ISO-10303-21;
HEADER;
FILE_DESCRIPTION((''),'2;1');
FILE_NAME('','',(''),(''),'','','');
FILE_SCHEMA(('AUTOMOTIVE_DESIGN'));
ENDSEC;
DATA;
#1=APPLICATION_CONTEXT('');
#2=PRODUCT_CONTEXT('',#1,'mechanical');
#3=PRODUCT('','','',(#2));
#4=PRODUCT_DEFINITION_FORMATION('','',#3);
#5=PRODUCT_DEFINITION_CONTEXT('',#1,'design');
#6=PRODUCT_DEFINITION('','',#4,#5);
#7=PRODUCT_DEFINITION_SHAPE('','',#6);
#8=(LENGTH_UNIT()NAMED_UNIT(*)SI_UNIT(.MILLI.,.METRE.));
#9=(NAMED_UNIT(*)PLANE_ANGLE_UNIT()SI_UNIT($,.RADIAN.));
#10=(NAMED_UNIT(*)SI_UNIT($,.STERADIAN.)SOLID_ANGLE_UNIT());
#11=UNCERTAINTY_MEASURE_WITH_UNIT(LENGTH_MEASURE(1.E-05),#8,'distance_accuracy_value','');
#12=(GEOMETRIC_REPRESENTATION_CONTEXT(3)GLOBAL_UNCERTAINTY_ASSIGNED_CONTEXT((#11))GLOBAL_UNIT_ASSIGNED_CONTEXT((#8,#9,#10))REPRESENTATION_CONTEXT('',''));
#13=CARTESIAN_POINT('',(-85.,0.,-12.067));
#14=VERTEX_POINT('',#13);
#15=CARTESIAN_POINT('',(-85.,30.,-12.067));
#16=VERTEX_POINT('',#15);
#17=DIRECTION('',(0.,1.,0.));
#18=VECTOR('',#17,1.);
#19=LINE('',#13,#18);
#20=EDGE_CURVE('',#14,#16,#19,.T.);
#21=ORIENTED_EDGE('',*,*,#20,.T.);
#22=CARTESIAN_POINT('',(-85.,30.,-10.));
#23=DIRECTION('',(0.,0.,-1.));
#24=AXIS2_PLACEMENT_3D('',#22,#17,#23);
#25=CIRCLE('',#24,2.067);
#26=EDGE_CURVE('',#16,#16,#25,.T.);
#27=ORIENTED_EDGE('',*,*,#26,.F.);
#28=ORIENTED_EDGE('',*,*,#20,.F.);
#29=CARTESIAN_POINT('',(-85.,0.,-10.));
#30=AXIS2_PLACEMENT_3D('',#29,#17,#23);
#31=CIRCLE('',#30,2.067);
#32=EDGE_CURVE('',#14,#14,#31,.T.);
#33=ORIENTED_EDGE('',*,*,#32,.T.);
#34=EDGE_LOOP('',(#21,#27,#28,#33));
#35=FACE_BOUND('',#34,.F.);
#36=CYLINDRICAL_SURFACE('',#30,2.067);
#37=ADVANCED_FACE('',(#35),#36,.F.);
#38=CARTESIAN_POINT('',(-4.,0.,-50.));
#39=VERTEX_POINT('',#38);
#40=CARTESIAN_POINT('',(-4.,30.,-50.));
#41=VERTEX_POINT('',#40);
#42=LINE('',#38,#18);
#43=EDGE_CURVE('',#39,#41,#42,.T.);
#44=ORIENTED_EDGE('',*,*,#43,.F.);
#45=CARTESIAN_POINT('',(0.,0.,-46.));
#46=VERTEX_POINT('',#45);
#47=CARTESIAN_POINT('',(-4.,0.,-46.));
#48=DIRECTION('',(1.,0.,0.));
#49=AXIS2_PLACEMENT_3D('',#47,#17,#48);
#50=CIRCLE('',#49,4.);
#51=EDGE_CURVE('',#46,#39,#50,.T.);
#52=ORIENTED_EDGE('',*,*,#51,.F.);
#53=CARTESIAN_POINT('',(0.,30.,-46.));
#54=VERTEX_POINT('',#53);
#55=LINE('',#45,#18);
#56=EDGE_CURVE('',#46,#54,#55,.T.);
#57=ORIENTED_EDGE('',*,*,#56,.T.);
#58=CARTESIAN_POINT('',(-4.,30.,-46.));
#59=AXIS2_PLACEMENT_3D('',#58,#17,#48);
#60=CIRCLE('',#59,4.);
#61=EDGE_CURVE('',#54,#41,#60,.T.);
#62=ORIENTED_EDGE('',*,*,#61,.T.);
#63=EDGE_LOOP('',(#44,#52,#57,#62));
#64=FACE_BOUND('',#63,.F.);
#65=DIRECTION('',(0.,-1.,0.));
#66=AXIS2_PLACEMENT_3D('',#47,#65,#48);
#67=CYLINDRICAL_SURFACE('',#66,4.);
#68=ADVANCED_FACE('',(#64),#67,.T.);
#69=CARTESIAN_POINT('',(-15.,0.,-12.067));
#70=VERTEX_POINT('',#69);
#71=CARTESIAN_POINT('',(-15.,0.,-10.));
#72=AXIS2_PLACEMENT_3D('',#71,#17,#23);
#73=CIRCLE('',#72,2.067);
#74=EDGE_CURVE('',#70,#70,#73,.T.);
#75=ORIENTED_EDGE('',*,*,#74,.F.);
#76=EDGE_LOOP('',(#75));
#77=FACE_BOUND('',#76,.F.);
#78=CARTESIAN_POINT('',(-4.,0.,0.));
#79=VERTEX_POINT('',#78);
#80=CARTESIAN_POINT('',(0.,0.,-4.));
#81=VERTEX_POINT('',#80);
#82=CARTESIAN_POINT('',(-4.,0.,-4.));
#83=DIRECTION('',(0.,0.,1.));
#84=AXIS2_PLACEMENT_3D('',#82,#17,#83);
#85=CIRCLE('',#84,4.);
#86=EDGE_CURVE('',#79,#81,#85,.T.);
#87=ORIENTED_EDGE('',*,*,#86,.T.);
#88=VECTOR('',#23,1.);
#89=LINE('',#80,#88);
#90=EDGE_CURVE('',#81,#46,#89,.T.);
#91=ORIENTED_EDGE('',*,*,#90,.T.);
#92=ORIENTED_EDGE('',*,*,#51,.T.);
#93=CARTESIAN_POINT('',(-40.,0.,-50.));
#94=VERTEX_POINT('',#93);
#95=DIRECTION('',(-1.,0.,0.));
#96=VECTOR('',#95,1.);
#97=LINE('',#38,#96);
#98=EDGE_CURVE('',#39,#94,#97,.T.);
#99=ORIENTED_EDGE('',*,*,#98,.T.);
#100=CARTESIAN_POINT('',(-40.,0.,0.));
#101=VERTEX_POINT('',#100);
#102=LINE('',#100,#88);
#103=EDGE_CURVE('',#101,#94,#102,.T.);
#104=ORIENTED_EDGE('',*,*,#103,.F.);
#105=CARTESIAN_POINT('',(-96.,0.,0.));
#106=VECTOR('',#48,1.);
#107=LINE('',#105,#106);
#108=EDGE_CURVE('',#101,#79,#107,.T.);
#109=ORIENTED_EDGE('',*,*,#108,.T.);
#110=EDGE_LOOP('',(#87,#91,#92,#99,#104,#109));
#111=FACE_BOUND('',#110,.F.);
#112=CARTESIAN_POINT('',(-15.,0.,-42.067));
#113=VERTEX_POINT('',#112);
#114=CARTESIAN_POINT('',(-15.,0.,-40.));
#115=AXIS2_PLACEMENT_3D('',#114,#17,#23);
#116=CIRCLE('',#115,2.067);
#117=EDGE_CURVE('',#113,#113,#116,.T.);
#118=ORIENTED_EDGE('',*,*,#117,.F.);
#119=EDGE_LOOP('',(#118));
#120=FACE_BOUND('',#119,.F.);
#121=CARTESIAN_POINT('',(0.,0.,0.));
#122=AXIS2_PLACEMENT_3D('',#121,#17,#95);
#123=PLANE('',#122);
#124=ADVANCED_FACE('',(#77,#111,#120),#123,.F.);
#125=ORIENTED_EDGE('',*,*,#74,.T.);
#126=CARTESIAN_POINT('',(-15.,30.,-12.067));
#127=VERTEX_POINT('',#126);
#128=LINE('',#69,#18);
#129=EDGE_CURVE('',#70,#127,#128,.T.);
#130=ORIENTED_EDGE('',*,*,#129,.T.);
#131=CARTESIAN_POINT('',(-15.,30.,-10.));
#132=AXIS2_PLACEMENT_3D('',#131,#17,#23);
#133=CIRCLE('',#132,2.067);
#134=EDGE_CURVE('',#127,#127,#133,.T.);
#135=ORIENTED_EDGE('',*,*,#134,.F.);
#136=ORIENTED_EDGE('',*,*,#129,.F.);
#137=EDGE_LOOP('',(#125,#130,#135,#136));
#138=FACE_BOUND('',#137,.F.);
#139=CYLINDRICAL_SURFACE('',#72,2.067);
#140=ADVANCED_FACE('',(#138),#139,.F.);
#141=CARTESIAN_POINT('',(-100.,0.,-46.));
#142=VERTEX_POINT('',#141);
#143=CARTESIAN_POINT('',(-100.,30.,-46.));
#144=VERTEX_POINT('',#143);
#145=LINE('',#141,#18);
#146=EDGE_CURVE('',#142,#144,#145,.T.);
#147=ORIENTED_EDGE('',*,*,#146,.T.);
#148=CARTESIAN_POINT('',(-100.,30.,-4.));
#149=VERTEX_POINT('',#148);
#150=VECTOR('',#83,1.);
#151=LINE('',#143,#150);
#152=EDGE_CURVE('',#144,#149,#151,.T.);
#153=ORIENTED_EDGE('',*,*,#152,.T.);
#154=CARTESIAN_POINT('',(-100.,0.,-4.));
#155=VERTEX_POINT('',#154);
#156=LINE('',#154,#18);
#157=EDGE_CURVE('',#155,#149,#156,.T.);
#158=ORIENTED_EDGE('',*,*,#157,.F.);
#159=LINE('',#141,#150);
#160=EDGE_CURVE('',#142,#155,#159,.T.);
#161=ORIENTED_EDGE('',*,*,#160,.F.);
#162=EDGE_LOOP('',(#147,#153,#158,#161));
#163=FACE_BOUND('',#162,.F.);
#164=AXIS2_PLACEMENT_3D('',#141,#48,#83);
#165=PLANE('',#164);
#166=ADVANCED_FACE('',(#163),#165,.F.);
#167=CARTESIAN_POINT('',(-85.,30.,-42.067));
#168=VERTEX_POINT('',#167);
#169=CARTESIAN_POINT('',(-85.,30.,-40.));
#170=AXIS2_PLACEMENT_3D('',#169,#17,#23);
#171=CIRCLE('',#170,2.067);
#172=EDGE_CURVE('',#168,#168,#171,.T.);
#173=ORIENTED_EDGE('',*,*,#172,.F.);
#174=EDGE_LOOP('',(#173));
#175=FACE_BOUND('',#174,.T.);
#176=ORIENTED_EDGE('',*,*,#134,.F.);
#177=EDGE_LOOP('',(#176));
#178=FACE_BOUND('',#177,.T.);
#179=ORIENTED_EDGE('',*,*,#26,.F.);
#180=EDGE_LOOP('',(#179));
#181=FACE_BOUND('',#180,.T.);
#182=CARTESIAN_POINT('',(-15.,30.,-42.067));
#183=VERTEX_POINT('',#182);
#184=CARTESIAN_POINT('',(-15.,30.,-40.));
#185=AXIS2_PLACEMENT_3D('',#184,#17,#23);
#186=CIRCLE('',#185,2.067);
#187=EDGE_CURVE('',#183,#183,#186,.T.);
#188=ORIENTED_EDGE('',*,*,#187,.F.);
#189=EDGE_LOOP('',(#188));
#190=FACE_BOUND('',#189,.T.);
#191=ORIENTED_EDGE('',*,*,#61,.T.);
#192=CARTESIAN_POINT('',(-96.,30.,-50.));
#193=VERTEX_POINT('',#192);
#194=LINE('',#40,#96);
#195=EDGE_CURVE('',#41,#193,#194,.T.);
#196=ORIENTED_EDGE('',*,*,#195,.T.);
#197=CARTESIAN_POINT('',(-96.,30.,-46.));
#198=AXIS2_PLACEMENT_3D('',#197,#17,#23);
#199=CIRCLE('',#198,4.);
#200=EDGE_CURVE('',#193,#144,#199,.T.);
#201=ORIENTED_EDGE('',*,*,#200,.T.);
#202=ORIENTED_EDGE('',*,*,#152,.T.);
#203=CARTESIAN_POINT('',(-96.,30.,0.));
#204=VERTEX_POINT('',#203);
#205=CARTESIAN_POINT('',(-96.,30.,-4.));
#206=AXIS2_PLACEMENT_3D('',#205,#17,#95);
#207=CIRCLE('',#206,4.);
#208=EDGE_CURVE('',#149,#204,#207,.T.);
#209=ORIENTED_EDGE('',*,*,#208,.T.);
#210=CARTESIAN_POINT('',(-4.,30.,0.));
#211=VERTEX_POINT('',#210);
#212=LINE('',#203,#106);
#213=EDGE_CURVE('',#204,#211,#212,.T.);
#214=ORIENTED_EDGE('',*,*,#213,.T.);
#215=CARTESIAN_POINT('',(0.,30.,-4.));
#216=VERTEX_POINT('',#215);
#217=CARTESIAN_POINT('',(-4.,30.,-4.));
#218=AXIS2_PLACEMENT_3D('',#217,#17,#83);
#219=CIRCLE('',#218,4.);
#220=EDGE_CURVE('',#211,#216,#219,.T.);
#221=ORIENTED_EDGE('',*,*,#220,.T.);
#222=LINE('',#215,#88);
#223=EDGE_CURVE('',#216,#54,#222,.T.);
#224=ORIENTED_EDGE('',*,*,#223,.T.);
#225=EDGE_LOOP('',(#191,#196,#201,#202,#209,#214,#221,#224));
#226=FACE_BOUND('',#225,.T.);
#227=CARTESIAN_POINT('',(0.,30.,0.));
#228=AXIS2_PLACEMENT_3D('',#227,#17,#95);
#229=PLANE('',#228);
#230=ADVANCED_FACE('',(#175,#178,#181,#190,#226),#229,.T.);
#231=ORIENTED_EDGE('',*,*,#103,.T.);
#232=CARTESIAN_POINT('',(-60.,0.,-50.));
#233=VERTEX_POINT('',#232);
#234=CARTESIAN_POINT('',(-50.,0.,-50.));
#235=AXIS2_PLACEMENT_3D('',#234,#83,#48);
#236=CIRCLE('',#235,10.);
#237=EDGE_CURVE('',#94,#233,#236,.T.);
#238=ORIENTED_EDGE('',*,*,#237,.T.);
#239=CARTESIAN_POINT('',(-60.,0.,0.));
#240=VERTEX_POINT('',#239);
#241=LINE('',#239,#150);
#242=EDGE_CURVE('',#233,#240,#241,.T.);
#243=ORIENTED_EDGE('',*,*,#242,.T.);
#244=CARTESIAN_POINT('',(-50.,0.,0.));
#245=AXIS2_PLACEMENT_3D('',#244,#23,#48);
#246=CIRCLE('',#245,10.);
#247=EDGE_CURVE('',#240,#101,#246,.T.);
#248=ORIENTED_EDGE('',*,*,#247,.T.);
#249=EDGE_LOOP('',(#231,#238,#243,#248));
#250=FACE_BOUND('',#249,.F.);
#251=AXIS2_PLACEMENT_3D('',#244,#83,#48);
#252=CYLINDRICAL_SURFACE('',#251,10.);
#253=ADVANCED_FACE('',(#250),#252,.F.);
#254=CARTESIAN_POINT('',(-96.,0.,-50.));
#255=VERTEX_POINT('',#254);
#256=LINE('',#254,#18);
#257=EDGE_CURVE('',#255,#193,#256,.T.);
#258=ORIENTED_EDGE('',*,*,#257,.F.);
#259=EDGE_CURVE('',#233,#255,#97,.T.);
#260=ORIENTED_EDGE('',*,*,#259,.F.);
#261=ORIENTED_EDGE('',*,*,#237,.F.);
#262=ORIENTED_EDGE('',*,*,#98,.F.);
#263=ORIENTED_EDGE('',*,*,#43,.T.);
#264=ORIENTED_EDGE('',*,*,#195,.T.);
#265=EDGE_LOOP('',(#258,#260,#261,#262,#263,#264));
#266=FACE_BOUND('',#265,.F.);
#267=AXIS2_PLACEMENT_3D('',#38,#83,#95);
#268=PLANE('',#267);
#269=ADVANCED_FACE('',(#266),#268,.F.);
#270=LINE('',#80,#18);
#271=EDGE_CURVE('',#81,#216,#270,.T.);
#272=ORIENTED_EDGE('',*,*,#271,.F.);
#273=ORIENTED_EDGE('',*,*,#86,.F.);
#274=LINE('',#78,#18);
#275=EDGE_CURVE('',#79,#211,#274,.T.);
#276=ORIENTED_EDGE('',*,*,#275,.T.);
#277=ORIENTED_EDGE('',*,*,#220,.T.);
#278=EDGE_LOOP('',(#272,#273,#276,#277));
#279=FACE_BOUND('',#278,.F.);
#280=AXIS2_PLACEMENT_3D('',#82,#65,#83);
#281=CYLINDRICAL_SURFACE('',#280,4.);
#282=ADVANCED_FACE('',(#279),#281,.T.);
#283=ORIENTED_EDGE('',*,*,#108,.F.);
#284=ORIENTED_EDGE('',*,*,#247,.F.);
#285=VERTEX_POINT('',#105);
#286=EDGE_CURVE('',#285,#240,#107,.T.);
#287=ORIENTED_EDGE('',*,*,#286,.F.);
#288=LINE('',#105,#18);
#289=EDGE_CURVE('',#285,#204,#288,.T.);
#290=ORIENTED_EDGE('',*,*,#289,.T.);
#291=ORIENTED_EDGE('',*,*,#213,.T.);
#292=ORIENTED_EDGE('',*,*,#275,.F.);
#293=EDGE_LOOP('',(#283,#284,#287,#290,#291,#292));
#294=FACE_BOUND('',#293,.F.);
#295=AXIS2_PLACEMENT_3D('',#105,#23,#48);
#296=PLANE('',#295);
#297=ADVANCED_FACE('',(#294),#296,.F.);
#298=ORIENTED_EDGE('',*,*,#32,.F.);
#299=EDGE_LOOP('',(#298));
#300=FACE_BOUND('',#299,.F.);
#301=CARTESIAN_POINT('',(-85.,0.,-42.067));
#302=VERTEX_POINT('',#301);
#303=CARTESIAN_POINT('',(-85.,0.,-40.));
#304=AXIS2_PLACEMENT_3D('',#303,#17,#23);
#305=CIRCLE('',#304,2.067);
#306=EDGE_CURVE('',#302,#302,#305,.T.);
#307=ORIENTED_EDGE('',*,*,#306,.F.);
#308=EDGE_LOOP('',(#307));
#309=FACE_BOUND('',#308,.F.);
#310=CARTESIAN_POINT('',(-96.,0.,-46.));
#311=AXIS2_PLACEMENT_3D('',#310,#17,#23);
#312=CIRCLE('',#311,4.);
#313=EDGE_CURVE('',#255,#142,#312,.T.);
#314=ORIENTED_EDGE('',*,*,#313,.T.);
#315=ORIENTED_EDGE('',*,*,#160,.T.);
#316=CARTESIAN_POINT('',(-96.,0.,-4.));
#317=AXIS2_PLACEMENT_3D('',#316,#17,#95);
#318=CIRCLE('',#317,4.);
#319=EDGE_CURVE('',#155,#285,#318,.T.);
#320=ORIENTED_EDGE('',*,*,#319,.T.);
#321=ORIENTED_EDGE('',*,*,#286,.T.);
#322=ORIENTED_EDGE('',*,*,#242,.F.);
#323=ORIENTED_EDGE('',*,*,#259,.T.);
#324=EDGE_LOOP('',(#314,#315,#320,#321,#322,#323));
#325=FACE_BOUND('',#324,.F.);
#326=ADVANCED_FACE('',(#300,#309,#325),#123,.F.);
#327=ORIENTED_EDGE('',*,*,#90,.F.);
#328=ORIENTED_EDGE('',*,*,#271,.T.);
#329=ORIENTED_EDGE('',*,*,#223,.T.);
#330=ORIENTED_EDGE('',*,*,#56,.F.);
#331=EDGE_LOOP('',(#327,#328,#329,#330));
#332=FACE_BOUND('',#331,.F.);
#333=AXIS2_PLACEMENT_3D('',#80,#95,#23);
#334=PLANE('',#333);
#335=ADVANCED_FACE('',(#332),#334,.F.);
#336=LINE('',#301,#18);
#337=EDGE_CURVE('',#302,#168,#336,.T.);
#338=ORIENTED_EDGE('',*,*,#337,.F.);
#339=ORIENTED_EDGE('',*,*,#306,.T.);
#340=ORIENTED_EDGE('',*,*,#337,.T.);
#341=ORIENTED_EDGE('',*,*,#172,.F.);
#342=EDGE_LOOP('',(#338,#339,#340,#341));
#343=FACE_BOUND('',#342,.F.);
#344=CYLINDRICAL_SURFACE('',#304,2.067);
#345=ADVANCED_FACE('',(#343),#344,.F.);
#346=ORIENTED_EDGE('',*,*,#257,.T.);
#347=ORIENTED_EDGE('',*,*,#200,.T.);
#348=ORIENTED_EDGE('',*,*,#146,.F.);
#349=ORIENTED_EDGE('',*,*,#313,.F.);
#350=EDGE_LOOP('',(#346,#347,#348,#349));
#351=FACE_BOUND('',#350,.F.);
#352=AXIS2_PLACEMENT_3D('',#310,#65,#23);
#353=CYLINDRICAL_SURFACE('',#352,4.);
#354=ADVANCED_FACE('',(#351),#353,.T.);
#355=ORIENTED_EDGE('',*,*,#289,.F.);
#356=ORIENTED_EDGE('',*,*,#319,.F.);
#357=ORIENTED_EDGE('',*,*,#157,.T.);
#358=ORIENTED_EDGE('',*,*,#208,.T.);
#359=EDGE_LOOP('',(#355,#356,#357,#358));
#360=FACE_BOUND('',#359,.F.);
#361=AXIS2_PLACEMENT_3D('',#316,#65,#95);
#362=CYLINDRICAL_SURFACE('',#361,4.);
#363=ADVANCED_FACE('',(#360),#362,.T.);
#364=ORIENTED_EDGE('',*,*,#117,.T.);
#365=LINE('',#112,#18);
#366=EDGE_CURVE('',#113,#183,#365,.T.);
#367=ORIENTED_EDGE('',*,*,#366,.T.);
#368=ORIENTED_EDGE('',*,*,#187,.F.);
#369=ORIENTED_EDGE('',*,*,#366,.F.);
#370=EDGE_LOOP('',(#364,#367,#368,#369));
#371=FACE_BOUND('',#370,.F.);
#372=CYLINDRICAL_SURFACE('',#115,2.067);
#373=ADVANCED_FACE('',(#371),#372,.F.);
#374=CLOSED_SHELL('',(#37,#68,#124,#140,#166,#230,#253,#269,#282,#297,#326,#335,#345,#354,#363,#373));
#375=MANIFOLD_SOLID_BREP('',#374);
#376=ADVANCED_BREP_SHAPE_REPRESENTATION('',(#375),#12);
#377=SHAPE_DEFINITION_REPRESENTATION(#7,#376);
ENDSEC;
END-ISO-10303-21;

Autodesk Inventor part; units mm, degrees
ref_plane "YZ Plane" through (0, 0, 0) normal (1, 0, 0) x (0, 1, 0)
ref_plane "XZ Plane" through (0, 0, 0) normal (0, 1, 0) x (-1, 0, 0)
ref_plane "XY Plane" through (0, 0, 0) normal (0, 0, 1) x (1, 0, 0)
sketch "Skizze2" plane through (0, 0, 0) normal (0, 1, 0) x (-1, 0, 0)
  line L0 (0, -4) -> (0, -46)
  line L1 (4, -50) -> (96, -50)
  line L2 (100, -46) -> (100, -4)
  line L3 (96, 0) -> (4, 0)
  arc A0 (100, -4) -> (96, 0) centre (96, -4) ccw
  arc A1 (96, -50) -> (100, -46) centre (96, -46) ccw
  arc A2 (0, -46) -> (4, -50) centre (4, -46) ccw
  arc A3 (4, 0) -> (0, -4) centre (4, -4) ccw
  point P0 (0, 0)
  point P1 (0, -50)
  point P2 (100, -50)
  point P3 (100, 0)
  dimension "breite" = 50
  dimension "länge" = 100
  dimension "d11" = 50
  dimension "radius" = 4
extrude "Extrusion2" add sketch "Skizze2" along normal blind 30
sketch "Skizze4" plane through (-96, 0, 0) normal (0, 0, 1) x (1, 0, 0)
  point P0 (96, 0)
sketch "Skizze5" plane through (-96, 0, 0) normal (0, 0, 1) x (1, 0, 0)
  line L0 (0, 0) -> (0, 30) projected
  line L1 (0, 0) -> (46, 0)
  line L2 (92, 0) -> (0, 0) projected
  circle A0 centre (46, 0) radius 10
  point P0 (96, 0)
  dimension "d15" = 20
extrude "Extrusion3" cut sketch "Skizze5" against normal through all
sketch "Skizze6" plane through (0, 0, 0) normal (0, -1, 0) x (1, 0, 0)
  line L0 (0, 0) -> (0, -10)
  line L1 (0, -4) -> (0, -46) projected
  line L2 (0, -10) -> (-15, -10)
  line L3 (-15, -10) -> (-85, -10)
  line L4 (-85, -10) -> (-85, -40)
  line L5 (-85, -40) -> (-15, -40)
  dimension "d18" = 10
  dimension "d19" = 15
  dimension "d20" = 70
  dimension "d21" = 30
  dimension "d22" = 70
hole "Bohrung1" at (-15, 0, -40) at (-15, 0, -10) at (-85, 0, -40) at (-85, 0, -10) direction (0, 1, 0) diameter 4.134 end through all thread size "M5x0.8" class "6H" standard "ISO Metric profile"
equation "\"d11\" = breite"
equation "\"d15\" = durchmesser"
equation "\"durchmesser\" = 20"
properties part number "TrittUT" material "PVC, hart"
